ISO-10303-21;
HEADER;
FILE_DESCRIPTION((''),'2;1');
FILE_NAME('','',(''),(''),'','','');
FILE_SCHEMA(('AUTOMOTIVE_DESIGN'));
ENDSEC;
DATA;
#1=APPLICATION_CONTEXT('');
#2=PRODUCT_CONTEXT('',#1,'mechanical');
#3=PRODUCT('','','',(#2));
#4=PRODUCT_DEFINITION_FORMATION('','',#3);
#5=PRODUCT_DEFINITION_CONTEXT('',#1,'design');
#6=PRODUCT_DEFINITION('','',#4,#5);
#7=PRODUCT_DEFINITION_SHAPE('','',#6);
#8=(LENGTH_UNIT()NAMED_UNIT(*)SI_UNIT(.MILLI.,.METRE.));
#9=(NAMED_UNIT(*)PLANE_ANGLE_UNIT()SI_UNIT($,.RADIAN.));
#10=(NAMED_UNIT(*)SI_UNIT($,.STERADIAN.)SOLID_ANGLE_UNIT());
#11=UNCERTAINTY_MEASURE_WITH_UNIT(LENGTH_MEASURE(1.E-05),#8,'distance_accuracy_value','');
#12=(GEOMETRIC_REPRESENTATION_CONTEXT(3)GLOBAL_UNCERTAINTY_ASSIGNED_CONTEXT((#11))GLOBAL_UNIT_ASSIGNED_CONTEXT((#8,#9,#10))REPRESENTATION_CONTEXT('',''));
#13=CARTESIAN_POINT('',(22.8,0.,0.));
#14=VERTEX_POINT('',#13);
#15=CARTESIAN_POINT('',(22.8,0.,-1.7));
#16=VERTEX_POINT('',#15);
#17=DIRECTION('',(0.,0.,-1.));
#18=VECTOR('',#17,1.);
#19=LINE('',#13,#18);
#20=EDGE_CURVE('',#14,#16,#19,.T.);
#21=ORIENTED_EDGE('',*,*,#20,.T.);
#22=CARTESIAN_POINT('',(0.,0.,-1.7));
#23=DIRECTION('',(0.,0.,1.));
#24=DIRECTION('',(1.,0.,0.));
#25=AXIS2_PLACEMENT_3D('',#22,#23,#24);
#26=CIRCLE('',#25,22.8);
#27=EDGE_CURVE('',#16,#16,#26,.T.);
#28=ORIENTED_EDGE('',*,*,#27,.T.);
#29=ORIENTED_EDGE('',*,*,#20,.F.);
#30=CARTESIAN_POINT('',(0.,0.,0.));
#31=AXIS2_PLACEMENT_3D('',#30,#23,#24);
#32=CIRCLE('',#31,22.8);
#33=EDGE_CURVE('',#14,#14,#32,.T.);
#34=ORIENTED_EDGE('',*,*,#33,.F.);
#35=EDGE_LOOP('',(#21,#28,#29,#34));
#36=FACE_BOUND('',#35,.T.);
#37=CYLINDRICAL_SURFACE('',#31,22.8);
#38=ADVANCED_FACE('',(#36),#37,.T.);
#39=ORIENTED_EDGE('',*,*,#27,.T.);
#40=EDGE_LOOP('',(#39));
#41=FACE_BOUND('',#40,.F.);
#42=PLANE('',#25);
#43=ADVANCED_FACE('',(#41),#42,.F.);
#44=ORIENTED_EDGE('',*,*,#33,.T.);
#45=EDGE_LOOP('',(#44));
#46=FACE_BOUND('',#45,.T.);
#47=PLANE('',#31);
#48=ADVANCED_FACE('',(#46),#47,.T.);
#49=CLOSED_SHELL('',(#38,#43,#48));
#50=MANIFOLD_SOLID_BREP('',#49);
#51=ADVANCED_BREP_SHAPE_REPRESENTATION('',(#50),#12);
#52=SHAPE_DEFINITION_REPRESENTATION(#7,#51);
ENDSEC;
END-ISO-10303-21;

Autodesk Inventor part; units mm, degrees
ref_plane "YZ Plane" through (0, 0, 0) normal (1, 0, 0) x (0, 1, 0)
ref_plane "XZ Plane" through (0, 0, 0) normal (0, 1, 0) x (-1, 0, 0)
sketch "Skizze1" plane through (0, 0, 0) normal (0, 0, 1) x (1, 0, 0)
  circle A0 centre (0, 0) radius 23.3 projected
  circle A1 centre (0, 0) radius 22.8
  point P0 (0, 0)
  dimension "d0" = 0.5
ref_plane "Arbeitsebene1" through (-8.8685, -8.875, -1.7) normal (0, 0, 1) x (1, 0, 0)
extrude "Extrusion1" add sketch "Skizze1" against normal up to surface (1.7 mm away) contours A1
properties part number "encoder_wheel"
